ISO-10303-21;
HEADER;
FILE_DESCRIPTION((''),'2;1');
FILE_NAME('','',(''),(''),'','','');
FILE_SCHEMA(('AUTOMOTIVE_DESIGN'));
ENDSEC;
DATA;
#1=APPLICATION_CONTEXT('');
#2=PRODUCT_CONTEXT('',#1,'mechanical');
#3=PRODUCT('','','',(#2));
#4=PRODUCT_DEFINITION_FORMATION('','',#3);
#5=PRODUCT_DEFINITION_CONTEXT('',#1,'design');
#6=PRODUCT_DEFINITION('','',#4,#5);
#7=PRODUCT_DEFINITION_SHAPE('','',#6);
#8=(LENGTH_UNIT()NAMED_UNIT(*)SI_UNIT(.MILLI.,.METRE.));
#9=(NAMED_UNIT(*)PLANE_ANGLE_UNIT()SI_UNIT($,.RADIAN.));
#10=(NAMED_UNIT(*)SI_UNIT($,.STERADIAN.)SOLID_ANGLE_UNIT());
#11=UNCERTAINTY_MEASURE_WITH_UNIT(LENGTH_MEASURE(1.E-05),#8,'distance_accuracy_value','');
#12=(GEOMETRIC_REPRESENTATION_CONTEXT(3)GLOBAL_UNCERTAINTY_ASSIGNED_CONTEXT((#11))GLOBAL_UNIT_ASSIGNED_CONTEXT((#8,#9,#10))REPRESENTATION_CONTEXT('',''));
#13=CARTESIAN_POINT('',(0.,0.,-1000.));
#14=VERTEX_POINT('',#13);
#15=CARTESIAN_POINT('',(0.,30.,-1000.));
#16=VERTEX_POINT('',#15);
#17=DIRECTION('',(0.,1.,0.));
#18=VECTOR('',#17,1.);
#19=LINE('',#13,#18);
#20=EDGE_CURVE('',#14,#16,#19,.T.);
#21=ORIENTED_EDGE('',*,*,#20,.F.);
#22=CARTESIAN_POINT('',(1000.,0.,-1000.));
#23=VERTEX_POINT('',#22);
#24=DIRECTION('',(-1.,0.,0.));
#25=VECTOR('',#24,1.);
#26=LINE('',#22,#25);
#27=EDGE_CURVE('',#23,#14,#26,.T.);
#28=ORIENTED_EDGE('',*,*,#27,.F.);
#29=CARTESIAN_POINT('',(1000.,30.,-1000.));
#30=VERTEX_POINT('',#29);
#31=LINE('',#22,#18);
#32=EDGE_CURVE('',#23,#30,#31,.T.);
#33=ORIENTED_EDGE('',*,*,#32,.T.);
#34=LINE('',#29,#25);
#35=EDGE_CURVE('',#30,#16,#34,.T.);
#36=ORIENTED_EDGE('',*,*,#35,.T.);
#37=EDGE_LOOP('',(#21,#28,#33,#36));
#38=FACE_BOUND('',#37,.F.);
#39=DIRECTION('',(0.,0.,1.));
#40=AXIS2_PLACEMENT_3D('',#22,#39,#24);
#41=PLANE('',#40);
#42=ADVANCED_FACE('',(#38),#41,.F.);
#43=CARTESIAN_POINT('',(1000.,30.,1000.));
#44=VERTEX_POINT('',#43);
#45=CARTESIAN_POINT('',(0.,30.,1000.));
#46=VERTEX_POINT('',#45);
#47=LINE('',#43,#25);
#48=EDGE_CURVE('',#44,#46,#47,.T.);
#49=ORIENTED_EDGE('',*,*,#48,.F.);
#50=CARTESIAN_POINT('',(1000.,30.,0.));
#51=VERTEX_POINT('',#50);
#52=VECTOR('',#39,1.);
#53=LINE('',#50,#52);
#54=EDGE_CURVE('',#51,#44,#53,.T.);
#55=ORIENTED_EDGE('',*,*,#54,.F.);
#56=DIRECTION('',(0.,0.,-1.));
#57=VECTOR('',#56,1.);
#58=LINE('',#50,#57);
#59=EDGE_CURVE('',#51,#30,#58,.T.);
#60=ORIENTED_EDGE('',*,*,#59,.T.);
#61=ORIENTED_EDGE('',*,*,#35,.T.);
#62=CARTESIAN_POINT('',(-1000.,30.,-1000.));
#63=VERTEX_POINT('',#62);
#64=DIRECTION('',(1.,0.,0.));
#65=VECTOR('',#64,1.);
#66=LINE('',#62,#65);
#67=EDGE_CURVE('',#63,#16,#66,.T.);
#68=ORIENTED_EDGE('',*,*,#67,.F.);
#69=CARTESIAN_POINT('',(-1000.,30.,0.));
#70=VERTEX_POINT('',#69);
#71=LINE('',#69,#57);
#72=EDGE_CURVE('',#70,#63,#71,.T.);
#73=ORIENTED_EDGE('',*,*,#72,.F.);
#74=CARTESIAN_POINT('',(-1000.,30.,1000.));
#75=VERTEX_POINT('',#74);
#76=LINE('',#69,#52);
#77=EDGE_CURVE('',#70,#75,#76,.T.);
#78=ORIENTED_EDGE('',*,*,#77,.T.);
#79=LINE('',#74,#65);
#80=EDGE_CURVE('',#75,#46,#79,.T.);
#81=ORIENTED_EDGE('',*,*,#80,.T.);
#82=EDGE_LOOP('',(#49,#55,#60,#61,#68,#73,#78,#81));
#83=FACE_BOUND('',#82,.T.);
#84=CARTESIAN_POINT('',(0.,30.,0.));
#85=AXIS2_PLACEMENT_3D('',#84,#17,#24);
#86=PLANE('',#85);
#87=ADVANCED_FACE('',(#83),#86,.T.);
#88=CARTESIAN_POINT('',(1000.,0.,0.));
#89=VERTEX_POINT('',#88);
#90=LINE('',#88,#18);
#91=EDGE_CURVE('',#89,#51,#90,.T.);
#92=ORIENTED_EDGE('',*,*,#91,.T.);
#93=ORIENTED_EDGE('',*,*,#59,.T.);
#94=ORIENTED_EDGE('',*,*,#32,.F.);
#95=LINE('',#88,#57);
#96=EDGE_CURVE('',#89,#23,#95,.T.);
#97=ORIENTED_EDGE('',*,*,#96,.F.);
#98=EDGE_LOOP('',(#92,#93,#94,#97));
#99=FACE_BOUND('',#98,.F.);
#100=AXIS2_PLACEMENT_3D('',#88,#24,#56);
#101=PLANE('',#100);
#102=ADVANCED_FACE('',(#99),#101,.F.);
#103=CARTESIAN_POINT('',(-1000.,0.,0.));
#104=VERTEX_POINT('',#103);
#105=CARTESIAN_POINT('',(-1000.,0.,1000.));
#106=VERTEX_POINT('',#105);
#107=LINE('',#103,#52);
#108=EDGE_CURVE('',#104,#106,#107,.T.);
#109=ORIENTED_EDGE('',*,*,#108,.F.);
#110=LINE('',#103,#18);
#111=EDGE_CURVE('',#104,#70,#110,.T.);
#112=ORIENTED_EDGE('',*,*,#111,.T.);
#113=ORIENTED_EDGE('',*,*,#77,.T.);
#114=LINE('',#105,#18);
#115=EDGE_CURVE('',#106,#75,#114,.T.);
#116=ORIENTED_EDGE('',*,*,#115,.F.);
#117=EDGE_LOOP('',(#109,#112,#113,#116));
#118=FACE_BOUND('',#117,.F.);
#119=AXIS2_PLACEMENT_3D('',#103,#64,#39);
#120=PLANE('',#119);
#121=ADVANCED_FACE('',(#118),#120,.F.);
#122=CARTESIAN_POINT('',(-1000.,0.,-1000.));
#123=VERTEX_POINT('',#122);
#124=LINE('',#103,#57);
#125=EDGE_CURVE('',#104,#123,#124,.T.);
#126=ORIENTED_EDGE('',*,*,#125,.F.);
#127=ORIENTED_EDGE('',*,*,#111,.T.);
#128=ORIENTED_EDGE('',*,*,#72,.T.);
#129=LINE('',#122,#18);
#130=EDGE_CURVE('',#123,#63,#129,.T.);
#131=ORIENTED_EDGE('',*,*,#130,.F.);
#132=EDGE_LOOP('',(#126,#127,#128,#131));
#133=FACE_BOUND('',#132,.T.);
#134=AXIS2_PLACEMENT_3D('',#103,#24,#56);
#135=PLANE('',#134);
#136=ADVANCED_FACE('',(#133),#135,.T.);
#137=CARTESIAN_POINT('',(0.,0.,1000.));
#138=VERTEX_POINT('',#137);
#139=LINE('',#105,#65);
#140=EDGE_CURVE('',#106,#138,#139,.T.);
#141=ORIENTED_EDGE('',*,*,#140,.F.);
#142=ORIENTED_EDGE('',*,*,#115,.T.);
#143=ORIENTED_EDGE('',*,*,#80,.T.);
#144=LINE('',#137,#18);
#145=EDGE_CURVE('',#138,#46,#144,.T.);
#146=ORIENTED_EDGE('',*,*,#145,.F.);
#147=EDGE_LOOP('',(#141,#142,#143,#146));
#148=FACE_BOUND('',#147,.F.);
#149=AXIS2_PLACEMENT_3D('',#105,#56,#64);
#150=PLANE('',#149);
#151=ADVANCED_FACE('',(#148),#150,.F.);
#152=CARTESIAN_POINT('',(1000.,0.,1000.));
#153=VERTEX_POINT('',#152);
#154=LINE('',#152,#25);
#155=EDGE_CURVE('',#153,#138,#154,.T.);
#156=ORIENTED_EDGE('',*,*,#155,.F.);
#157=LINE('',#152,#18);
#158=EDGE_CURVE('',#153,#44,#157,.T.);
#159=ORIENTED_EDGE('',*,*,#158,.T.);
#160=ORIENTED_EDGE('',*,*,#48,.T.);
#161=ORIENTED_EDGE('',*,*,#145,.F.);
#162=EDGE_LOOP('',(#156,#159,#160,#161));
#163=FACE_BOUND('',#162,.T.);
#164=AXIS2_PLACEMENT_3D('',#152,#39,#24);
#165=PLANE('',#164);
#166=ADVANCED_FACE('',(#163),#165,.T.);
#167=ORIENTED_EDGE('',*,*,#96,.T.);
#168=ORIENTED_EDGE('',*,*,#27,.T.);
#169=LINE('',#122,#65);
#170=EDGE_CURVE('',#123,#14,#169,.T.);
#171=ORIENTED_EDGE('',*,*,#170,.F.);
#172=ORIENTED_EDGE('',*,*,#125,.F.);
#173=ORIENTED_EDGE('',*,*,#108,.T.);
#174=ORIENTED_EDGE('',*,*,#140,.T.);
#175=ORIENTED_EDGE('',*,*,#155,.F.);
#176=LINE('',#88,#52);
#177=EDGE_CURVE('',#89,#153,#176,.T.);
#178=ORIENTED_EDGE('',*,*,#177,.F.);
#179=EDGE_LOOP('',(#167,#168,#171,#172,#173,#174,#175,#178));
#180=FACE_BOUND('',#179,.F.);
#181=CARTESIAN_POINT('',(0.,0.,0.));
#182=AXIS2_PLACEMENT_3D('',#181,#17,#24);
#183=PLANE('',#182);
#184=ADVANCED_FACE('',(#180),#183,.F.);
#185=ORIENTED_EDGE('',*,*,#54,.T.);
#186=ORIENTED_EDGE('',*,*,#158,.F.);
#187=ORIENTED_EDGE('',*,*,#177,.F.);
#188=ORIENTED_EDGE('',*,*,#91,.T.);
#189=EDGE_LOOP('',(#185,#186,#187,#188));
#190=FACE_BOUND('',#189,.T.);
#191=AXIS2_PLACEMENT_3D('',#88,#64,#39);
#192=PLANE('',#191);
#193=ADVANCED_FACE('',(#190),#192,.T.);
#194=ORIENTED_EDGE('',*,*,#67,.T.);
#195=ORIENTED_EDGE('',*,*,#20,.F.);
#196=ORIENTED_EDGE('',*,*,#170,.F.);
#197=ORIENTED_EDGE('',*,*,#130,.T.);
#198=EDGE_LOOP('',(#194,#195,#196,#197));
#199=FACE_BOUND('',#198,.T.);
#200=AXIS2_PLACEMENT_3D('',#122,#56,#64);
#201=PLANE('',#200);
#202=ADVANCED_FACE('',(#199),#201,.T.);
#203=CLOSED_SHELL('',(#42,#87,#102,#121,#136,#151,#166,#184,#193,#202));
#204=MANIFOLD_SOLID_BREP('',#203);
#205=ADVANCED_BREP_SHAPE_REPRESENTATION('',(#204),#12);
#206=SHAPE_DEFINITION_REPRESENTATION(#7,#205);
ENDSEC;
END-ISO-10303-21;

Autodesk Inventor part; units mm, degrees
ref_plane "YZ Plane" through (0, 0, 0) normal (1, 0, 0) x (0, 1, 0)
ref_plane "XZ Plane" through (0, 0, 0) normal (0, 1, 0) x (-1, 0, 0)
ref_plane "XY Plane" through (0, 0, 0) normal (0, 0, 1) x (1, 0, 0)
sketch "Szkic1" plane through (0, 0, 0) normal (0, 1, 0) x (-1, 0, 0)
  line L0 (0, 0) -> (1000, 0) construction
  line L1 (1000, 0) -> (1000, -1000)
  line L2 (1000, -1000) -> (0, -1000)
  line L3 (0, -1000) -> (0, 0) construction
  line L4 (1000, 0) -> (1000, 1000)
  line L5 (1000, 1000) -> (0, 1000)
  line L6 (-1000, 0) -> (-1000, -1000)
  line L7 (-1000, -1000) -> (0, -1000)
  line L8 (-1000, 0) -> (-1000, 1000)
  line L9 (-1000, 1000) -> (0, 1000)
  point P0 (500, -1000)
  point P1 (500, 0)
  dimension "d0" = 1000
  dimension "d1" = 1000
extrude "Wyciągnięcie proste1" add sketch "Szkic1" along normal blind 30
properties part number "podstawa_plyta_200_200_3"
